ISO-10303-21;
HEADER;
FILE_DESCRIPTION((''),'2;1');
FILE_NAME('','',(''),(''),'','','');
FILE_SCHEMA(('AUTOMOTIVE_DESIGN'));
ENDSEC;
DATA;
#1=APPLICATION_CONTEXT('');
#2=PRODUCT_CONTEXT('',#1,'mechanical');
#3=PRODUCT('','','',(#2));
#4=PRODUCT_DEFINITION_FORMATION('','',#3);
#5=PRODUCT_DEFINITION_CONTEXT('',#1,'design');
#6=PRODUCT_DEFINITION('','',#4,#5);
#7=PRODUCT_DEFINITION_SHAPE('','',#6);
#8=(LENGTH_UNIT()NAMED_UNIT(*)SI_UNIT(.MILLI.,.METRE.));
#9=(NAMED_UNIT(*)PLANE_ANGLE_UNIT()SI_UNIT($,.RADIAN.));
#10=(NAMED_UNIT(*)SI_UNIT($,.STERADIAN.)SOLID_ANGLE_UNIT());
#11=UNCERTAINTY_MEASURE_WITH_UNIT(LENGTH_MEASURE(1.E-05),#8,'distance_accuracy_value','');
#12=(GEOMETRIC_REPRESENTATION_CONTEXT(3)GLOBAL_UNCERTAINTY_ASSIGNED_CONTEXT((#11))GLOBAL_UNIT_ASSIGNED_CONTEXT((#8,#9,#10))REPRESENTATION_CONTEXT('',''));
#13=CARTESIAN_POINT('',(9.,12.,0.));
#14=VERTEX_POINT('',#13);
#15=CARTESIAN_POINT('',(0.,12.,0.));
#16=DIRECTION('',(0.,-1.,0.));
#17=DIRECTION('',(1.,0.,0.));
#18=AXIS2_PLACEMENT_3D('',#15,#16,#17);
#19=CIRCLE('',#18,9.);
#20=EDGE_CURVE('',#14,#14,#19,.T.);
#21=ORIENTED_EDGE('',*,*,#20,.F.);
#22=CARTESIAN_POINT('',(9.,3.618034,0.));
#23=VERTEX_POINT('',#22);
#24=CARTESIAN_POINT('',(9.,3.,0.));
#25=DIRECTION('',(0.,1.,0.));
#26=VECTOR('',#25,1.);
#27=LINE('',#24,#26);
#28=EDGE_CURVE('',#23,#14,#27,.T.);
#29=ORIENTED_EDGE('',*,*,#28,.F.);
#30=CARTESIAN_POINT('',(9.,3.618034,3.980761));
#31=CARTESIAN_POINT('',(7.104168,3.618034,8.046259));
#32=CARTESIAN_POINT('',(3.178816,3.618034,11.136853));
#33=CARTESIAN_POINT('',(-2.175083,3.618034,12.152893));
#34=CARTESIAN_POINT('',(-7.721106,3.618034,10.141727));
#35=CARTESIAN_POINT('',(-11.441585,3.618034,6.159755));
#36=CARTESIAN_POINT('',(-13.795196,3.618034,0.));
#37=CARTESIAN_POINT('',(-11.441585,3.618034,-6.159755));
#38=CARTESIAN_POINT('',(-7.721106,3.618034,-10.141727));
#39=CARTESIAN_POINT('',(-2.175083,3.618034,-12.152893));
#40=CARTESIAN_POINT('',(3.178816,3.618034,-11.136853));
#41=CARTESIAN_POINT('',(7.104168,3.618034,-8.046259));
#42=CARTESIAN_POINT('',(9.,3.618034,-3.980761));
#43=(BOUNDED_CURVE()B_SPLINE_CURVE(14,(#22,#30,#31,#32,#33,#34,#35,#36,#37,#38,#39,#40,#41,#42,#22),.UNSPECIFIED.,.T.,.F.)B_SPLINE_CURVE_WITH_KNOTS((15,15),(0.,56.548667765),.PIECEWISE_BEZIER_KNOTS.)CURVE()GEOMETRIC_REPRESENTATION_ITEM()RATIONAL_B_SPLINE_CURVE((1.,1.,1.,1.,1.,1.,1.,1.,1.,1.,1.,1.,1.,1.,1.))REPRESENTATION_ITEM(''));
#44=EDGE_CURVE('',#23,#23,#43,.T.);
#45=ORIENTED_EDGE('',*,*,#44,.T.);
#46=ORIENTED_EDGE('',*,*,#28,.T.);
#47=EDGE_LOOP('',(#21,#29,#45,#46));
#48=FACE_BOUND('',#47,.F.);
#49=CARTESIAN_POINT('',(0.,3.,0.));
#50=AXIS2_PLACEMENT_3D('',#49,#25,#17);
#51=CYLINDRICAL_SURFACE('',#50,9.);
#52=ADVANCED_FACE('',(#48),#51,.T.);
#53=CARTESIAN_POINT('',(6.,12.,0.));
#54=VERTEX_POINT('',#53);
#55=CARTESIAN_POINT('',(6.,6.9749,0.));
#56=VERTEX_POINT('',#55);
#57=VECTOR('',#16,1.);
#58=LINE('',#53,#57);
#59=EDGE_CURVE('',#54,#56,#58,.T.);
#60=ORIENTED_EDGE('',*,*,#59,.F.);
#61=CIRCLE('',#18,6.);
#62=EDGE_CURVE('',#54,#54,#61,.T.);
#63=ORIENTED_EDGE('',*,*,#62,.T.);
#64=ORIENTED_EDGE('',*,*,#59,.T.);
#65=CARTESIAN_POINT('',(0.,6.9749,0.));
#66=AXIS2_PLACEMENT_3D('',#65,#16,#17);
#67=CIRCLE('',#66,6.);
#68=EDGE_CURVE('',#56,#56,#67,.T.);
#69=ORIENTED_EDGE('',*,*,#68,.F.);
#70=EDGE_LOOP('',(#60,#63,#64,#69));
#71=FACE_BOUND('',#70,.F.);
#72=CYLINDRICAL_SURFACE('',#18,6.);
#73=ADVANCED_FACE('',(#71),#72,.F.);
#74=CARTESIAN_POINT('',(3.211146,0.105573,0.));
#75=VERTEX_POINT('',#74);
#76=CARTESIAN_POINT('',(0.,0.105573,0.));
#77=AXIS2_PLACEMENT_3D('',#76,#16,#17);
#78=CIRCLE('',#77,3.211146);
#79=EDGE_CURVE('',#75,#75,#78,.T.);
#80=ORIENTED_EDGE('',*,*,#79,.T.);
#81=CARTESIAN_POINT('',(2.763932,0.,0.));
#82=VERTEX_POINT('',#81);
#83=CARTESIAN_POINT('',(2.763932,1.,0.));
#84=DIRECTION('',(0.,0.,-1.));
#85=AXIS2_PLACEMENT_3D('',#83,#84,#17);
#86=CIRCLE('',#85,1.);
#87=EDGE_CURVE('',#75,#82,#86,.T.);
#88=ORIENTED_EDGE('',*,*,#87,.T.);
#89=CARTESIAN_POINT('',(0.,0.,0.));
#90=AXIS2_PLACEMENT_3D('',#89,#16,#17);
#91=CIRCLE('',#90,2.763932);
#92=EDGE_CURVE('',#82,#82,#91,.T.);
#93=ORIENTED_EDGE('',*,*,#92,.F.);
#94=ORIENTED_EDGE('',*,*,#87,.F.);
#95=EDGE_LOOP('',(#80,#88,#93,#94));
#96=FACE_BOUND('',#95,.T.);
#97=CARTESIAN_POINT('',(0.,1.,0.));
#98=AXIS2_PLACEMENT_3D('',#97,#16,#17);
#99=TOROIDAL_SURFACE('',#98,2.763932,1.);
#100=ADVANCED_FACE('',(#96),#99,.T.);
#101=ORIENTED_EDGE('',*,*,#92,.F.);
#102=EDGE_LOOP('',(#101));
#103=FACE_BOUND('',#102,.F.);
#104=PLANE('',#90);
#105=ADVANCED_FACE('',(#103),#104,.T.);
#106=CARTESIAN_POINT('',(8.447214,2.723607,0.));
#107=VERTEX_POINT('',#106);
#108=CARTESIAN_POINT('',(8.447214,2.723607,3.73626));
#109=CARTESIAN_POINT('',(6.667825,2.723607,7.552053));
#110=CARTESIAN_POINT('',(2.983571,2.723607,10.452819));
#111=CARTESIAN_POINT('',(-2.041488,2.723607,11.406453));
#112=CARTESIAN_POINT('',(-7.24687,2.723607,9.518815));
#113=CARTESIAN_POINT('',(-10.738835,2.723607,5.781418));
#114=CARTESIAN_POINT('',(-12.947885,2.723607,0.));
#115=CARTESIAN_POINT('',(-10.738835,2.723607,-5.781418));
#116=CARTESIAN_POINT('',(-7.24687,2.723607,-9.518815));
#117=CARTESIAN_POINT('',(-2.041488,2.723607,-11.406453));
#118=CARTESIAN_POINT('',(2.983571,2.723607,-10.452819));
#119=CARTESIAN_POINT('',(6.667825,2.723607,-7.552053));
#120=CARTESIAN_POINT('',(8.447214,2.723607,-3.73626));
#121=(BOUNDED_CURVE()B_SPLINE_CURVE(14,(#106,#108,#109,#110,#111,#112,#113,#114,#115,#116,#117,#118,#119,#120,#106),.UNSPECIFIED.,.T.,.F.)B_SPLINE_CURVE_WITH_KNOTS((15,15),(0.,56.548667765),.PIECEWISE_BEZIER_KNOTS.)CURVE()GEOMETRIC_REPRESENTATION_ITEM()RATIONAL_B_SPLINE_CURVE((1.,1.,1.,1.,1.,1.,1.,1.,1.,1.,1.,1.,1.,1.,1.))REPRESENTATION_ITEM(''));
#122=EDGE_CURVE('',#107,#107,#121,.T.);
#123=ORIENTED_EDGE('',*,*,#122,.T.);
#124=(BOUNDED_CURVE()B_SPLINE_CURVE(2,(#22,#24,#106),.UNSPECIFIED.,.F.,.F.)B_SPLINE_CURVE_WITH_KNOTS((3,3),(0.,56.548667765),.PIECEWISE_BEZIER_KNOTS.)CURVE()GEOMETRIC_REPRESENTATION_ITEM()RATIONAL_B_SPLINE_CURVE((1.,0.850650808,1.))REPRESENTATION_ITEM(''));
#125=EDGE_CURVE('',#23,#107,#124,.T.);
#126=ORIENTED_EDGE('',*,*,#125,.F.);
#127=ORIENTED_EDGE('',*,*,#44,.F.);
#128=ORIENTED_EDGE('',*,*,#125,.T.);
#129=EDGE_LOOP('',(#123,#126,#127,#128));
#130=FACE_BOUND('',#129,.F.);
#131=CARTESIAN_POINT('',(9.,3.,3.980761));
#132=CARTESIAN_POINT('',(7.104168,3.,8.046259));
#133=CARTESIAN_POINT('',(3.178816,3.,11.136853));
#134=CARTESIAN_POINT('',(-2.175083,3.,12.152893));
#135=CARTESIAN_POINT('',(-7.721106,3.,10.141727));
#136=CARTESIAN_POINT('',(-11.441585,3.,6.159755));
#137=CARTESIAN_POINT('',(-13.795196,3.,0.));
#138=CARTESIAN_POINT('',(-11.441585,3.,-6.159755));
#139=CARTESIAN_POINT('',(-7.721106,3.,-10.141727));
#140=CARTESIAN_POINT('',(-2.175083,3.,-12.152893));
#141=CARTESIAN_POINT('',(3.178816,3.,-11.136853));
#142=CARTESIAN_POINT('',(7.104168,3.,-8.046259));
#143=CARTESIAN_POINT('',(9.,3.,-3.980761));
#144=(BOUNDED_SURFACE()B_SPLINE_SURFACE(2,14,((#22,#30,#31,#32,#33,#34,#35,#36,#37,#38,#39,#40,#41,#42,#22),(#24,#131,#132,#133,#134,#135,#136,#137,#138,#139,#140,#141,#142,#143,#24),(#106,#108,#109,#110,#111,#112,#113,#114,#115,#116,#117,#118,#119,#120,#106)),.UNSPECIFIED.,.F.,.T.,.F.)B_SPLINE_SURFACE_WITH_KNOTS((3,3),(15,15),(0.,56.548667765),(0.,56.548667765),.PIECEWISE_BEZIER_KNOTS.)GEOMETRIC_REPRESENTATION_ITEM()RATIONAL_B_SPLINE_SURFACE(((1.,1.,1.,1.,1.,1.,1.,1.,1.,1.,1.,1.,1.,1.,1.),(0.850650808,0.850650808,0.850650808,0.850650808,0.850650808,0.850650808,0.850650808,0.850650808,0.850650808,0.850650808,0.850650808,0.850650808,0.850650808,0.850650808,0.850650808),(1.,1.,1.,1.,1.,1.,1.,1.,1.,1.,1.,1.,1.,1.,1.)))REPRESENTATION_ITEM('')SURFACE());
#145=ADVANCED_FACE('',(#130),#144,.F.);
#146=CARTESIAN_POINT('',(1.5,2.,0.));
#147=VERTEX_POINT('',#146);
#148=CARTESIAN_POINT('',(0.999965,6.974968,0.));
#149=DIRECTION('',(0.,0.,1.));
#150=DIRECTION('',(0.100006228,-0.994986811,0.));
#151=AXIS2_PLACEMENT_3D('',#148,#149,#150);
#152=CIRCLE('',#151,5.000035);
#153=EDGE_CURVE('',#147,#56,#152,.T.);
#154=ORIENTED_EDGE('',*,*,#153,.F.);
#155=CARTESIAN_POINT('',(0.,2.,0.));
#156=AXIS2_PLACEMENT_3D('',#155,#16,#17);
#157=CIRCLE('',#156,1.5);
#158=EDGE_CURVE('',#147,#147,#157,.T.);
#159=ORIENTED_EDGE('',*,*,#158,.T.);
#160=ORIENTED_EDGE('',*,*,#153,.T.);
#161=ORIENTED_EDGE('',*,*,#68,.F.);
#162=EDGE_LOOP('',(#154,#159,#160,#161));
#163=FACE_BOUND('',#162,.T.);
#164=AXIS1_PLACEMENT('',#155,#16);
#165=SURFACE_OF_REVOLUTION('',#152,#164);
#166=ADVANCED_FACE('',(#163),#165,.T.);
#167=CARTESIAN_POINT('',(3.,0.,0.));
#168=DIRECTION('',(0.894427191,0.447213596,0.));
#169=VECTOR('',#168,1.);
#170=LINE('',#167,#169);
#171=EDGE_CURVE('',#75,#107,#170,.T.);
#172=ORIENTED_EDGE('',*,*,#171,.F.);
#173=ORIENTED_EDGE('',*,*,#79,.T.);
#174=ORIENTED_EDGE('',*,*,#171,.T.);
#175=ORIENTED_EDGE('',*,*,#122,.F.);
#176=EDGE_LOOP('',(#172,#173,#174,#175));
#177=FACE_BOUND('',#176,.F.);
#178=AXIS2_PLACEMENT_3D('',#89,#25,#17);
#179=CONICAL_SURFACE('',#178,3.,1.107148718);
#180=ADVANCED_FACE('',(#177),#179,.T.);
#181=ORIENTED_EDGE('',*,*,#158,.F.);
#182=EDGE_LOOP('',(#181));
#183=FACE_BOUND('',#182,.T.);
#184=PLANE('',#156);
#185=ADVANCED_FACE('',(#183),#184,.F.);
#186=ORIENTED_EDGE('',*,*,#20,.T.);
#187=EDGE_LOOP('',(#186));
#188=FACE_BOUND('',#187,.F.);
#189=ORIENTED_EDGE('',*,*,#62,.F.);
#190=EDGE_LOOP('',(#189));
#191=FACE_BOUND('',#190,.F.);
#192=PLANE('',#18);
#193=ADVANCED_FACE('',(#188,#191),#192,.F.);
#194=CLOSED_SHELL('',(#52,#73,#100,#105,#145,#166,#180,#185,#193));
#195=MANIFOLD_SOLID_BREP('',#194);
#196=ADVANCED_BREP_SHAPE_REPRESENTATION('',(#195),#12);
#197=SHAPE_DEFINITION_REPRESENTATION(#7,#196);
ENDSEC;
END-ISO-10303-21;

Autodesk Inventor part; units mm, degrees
ref_plane "YZ Plane" through (0, 0, 0) normal (1, 0, 0) x (0, 1, 0)
ref_plane "XZ Plane" through (0, 0, 0) normal (0, 1, 0) x (-1, 0, 0)
ref_plane "XY Plane" through (0, 0, 0) normal (0, 0, 1) x (1, 0, 0)
sketch "Эскиз1" plane through (0, 0, 0) normal (0, 0, 1) x (1, 0, 0)
  line L0 (0, 0) -> (3, 0)
  line L1 (3, 0) -> (9, 3)
  line L2 (9, 3) -> (9, 12)
  line L3 (9, 12) -> (6, 12)
  line L4 (6, 12) -> (6, 6.9749)
  line L5 (0, 2) -> (0, 0)
  line L6 (0, 2) -> (1.5, 2)
  arc A0 (1.5, 2) -> (6, 6.9749) centre (1, 6.9749) ccw
  dimension "d0" = 18
  dimension "d2" = 12
  dimension "d3" = 12
  dimension "d4" = 9
  dimension "d5" = 6
  dimension "d6" = 10
  dimension "d9" = 1.5
  dimension "d10" = 5
revolve "Вращение1" add sketch "Эскиз1" angle 360 about axis through (0, 2, 0) along (0, -1, 0)
fillet "Сопряжение1" radius 1 2 edges at (-9, 3, 0) (-3, 0, 0)
properties part number "paris_pivot_cup"
